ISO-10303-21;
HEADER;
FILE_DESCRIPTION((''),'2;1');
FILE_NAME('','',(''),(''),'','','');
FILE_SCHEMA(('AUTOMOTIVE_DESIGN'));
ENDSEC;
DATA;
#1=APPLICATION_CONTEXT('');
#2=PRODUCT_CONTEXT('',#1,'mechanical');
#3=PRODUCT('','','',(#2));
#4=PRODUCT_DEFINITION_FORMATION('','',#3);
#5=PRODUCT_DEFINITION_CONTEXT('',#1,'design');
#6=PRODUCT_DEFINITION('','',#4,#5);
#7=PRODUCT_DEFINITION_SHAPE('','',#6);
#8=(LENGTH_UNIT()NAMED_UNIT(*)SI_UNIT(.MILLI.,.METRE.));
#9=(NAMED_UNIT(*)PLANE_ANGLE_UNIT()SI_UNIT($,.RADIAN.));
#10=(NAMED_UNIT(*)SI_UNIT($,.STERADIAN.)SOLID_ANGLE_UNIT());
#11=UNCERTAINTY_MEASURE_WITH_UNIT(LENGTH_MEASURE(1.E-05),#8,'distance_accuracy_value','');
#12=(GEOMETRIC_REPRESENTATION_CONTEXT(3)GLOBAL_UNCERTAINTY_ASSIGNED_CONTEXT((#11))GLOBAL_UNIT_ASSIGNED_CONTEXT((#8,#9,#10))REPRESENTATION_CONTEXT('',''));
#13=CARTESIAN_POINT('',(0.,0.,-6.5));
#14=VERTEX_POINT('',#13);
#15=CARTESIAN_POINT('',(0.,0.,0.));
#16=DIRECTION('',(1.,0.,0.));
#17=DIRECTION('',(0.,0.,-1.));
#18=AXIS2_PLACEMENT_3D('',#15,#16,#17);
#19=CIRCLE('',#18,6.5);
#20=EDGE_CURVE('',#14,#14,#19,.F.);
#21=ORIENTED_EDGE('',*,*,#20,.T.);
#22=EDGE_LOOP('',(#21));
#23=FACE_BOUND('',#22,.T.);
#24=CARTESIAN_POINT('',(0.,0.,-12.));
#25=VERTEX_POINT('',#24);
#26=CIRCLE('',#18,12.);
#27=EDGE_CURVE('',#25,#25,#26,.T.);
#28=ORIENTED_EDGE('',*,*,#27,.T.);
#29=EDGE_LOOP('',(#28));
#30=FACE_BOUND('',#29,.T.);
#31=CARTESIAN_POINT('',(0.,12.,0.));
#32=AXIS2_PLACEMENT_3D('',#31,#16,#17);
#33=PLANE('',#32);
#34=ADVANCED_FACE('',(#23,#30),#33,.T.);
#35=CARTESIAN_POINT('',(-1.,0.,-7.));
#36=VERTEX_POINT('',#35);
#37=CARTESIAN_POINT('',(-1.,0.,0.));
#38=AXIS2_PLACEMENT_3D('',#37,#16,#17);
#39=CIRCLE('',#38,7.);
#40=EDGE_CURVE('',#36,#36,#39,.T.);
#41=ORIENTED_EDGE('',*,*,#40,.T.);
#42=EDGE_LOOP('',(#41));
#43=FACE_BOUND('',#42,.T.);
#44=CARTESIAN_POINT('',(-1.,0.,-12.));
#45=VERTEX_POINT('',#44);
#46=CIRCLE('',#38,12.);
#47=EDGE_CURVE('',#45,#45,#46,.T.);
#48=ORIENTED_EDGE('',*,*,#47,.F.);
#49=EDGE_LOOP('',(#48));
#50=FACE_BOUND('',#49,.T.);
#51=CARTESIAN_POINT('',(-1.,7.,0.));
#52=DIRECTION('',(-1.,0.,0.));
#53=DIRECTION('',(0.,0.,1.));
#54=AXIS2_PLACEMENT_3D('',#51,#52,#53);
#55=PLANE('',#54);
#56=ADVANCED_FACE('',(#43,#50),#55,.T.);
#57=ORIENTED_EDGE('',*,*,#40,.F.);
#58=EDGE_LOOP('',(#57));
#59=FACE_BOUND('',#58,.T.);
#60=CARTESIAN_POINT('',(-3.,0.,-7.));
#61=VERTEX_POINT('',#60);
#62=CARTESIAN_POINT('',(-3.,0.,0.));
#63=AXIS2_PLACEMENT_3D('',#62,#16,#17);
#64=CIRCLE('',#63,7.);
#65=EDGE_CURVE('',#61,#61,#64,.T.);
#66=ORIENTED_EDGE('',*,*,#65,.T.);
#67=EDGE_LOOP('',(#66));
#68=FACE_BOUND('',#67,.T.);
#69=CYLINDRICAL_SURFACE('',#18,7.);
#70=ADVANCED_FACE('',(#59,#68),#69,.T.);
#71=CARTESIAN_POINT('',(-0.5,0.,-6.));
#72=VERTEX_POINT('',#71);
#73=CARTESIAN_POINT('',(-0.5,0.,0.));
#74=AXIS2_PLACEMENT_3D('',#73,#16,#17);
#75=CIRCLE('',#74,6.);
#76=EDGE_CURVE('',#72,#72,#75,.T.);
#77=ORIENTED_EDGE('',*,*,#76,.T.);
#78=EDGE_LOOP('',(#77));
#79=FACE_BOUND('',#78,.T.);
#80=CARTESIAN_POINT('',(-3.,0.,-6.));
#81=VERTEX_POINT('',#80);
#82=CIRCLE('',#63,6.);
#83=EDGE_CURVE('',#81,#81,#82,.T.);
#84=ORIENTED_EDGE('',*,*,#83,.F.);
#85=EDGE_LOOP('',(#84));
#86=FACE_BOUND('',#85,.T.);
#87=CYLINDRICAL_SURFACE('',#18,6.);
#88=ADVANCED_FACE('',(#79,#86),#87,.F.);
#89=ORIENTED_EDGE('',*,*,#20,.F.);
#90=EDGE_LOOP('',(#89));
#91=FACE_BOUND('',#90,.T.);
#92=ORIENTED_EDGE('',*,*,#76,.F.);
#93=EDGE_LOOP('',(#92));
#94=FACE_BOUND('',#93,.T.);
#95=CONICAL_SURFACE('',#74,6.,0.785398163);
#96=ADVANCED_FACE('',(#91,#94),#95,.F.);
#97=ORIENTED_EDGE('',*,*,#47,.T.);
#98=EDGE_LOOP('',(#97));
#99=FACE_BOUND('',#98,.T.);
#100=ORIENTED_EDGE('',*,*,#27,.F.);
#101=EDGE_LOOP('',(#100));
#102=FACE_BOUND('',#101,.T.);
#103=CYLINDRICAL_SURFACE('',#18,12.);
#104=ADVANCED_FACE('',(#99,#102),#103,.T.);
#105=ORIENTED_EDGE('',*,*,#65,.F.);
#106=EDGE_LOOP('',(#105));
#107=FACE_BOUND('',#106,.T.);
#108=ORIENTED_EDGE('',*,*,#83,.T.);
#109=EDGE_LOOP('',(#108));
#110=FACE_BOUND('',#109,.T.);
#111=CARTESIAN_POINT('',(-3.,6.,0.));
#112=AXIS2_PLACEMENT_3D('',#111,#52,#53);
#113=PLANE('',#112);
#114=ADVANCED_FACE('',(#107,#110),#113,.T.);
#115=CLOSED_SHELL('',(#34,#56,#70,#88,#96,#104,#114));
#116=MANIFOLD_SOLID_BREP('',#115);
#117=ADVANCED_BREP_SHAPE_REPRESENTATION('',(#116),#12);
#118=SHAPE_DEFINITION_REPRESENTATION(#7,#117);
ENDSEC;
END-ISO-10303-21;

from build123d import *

# Parameters (mm, degrees)
CHAMFER1_SIZE = 0.5


with BuildPart() as part:
    # Sketch1 → Revolve1 (revolve)
    with BuildSketch(Plane.XY):
        Polygon((0, 6), (-1, 6), (-3, 6), (-3, 7), (-1, 7), (-1, 12), (0, 12), align=None)
    revolve(axis=Axis((0, 0, 0), (-1, 0, 0)))

    # Chamfer1
    chamfer1_edges = [part.edges().sort_by_distance(p)[0] for p in [
        (0, -6, 0),
    ]]
    chamfer(chamfer1_edges, length=CHAMFER1_SIZE)


solid = part.part
